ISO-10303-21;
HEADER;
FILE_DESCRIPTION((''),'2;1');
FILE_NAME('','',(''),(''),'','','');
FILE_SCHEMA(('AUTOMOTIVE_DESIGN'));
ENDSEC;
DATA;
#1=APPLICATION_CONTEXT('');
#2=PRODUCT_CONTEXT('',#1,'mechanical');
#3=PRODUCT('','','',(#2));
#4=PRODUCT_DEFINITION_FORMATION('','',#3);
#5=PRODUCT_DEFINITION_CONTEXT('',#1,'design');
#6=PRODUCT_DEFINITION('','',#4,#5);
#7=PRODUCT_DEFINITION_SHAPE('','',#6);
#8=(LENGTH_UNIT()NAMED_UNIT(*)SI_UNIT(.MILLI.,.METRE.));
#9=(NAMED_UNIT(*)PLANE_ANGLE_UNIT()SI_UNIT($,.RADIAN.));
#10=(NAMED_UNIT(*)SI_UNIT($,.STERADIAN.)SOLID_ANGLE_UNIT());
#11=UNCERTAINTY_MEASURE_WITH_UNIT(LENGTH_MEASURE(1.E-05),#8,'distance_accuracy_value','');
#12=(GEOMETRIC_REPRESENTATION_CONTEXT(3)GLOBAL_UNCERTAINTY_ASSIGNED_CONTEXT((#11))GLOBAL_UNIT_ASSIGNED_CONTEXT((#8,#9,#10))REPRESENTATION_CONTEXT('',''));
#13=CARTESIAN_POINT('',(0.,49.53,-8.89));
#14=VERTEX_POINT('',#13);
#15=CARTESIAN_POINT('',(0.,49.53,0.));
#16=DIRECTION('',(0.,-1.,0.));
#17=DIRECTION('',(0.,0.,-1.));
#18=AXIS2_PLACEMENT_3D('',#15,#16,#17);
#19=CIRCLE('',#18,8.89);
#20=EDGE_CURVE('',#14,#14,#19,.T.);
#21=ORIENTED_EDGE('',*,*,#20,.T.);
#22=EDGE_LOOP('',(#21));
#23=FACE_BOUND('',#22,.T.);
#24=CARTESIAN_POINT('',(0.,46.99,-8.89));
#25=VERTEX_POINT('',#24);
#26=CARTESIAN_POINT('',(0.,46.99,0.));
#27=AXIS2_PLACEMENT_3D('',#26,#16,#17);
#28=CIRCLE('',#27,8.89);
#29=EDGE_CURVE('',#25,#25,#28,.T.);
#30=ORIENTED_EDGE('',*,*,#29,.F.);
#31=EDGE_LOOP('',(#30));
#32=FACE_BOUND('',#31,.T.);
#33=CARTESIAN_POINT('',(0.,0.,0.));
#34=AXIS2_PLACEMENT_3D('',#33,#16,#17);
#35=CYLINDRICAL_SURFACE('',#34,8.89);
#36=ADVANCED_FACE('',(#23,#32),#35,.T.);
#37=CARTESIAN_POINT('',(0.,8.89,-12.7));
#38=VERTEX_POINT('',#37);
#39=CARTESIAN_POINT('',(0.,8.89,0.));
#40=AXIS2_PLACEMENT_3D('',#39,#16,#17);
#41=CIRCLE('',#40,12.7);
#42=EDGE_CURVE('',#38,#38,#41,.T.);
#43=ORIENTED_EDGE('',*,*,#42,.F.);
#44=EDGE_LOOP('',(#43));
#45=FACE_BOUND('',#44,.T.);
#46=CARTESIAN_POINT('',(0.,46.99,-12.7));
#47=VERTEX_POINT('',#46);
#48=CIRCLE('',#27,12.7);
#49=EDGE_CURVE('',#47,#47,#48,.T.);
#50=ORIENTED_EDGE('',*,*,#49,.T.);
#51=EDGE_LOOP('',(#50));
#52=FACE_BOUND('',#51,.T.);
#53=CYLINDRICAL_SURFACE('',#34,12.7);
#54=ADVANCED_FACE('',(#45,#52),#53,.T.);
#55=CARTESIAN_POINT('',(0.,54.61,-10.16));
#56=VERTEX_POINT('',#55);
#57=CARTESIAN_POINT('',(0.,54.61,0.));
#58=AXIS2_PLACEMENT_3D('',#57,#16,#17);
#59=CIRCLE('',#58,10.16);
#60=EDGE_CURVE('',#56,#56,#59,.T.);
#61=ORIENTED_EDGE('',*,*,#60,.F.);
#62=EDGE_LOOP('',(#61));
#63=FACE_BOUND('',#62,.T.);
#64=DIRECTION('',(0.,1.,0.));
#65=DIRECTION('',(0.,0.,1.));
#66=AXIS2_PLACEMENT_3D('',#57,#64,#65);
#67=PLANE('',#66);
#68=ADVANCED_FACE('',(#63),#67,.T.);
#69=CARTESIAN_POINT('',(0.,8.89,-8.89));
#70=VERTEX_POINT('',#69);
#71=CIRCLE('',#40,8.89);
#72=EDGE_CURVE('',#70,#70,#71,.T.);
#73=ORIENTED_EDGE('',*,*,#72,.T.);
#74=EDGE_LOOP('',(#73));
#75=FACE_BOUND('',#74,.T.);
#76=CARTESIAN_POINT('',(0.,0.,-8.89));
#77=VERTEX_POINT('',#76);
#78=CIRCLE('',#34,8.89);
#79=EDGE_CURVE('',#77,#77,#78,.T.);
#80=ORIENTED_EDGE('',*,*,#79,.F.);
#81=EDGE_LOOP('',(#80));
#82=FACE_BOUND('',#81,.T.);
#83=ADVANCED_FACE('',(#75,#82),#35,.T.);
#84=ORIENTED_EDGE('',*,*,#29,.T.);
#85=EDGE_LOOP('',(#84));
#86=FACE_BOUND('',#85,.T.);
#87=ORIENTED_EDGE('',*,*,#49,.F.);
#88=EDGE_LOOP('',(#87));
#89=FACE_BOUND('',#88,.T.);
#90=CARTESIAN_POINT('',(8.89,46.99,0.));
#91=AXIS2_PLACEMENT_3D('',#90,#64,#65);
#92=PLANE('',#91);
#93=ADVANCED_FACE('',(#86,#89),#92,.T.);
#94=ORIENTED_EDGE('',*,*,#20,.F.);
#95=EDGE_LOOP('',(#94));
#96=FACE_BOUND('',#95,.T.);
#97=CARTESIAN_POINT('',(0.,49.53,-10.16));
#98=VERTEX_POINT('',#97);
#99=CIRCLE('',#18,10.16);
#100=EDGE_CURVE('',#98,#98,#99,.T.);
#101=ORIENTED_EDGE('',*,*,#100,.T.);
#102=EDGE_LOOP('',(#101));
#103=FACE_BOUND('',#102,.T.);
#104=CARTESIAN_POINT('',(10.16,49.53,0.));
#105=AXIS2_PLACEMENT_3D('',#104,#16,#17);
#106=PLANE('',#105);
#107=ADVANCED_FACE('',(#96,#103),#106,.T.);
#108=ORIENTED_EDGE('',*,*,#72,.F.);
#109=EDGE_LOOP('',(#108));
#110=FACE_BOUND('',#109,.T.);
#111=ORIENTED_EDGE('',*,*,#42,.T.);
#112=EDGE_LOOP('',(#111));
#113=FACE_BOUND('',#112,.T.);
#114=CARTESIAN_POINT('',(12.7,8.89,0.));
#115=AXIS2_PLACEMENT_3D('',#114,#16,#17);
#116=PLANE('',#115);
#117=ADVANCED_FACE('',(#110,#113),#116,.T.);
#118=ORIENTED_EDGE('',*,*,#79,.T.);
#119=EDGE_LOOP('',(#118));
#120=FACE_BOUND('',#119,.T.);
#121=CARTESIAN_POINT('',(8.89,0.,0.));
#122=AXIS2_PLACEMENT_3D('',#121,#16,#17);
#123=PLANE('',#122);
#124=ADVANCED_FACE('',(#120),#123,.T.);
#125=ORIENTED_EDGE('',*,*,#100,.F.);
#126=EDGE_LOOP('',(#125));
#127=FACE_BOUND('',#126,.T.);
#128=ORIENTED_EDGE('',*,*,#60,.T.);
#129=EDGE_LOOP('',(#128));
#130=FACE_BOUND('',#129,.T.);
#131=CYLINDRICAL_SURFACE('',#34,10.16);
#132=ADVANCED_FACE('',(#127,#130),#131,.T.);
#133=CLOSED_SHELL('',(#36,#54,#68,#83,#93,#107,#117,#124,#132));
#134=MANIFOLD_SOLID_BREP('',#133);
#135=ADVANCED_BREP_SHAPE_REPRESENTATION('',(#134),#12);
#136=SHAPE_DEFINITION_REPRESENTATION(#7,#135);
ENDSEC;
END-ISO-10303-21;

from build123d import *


with BuildPart() as part:
    # Sketch1 → Revolve1 (revolve)
    with BuildSketch(Plane.XY):
        Polygon((0, 0), (0, 54.61), (10.16, 54.61), (10.16, 49.53), (8.89, 49.53), (8.89, 46.99), (12.7, 46.99), (12.7, 8.89), (8.89, 8.89), (8.89, 0), align=None)
    revolve(axis=Axis((0, 0, 0), (0, 1, 0)))


solid = part.part
